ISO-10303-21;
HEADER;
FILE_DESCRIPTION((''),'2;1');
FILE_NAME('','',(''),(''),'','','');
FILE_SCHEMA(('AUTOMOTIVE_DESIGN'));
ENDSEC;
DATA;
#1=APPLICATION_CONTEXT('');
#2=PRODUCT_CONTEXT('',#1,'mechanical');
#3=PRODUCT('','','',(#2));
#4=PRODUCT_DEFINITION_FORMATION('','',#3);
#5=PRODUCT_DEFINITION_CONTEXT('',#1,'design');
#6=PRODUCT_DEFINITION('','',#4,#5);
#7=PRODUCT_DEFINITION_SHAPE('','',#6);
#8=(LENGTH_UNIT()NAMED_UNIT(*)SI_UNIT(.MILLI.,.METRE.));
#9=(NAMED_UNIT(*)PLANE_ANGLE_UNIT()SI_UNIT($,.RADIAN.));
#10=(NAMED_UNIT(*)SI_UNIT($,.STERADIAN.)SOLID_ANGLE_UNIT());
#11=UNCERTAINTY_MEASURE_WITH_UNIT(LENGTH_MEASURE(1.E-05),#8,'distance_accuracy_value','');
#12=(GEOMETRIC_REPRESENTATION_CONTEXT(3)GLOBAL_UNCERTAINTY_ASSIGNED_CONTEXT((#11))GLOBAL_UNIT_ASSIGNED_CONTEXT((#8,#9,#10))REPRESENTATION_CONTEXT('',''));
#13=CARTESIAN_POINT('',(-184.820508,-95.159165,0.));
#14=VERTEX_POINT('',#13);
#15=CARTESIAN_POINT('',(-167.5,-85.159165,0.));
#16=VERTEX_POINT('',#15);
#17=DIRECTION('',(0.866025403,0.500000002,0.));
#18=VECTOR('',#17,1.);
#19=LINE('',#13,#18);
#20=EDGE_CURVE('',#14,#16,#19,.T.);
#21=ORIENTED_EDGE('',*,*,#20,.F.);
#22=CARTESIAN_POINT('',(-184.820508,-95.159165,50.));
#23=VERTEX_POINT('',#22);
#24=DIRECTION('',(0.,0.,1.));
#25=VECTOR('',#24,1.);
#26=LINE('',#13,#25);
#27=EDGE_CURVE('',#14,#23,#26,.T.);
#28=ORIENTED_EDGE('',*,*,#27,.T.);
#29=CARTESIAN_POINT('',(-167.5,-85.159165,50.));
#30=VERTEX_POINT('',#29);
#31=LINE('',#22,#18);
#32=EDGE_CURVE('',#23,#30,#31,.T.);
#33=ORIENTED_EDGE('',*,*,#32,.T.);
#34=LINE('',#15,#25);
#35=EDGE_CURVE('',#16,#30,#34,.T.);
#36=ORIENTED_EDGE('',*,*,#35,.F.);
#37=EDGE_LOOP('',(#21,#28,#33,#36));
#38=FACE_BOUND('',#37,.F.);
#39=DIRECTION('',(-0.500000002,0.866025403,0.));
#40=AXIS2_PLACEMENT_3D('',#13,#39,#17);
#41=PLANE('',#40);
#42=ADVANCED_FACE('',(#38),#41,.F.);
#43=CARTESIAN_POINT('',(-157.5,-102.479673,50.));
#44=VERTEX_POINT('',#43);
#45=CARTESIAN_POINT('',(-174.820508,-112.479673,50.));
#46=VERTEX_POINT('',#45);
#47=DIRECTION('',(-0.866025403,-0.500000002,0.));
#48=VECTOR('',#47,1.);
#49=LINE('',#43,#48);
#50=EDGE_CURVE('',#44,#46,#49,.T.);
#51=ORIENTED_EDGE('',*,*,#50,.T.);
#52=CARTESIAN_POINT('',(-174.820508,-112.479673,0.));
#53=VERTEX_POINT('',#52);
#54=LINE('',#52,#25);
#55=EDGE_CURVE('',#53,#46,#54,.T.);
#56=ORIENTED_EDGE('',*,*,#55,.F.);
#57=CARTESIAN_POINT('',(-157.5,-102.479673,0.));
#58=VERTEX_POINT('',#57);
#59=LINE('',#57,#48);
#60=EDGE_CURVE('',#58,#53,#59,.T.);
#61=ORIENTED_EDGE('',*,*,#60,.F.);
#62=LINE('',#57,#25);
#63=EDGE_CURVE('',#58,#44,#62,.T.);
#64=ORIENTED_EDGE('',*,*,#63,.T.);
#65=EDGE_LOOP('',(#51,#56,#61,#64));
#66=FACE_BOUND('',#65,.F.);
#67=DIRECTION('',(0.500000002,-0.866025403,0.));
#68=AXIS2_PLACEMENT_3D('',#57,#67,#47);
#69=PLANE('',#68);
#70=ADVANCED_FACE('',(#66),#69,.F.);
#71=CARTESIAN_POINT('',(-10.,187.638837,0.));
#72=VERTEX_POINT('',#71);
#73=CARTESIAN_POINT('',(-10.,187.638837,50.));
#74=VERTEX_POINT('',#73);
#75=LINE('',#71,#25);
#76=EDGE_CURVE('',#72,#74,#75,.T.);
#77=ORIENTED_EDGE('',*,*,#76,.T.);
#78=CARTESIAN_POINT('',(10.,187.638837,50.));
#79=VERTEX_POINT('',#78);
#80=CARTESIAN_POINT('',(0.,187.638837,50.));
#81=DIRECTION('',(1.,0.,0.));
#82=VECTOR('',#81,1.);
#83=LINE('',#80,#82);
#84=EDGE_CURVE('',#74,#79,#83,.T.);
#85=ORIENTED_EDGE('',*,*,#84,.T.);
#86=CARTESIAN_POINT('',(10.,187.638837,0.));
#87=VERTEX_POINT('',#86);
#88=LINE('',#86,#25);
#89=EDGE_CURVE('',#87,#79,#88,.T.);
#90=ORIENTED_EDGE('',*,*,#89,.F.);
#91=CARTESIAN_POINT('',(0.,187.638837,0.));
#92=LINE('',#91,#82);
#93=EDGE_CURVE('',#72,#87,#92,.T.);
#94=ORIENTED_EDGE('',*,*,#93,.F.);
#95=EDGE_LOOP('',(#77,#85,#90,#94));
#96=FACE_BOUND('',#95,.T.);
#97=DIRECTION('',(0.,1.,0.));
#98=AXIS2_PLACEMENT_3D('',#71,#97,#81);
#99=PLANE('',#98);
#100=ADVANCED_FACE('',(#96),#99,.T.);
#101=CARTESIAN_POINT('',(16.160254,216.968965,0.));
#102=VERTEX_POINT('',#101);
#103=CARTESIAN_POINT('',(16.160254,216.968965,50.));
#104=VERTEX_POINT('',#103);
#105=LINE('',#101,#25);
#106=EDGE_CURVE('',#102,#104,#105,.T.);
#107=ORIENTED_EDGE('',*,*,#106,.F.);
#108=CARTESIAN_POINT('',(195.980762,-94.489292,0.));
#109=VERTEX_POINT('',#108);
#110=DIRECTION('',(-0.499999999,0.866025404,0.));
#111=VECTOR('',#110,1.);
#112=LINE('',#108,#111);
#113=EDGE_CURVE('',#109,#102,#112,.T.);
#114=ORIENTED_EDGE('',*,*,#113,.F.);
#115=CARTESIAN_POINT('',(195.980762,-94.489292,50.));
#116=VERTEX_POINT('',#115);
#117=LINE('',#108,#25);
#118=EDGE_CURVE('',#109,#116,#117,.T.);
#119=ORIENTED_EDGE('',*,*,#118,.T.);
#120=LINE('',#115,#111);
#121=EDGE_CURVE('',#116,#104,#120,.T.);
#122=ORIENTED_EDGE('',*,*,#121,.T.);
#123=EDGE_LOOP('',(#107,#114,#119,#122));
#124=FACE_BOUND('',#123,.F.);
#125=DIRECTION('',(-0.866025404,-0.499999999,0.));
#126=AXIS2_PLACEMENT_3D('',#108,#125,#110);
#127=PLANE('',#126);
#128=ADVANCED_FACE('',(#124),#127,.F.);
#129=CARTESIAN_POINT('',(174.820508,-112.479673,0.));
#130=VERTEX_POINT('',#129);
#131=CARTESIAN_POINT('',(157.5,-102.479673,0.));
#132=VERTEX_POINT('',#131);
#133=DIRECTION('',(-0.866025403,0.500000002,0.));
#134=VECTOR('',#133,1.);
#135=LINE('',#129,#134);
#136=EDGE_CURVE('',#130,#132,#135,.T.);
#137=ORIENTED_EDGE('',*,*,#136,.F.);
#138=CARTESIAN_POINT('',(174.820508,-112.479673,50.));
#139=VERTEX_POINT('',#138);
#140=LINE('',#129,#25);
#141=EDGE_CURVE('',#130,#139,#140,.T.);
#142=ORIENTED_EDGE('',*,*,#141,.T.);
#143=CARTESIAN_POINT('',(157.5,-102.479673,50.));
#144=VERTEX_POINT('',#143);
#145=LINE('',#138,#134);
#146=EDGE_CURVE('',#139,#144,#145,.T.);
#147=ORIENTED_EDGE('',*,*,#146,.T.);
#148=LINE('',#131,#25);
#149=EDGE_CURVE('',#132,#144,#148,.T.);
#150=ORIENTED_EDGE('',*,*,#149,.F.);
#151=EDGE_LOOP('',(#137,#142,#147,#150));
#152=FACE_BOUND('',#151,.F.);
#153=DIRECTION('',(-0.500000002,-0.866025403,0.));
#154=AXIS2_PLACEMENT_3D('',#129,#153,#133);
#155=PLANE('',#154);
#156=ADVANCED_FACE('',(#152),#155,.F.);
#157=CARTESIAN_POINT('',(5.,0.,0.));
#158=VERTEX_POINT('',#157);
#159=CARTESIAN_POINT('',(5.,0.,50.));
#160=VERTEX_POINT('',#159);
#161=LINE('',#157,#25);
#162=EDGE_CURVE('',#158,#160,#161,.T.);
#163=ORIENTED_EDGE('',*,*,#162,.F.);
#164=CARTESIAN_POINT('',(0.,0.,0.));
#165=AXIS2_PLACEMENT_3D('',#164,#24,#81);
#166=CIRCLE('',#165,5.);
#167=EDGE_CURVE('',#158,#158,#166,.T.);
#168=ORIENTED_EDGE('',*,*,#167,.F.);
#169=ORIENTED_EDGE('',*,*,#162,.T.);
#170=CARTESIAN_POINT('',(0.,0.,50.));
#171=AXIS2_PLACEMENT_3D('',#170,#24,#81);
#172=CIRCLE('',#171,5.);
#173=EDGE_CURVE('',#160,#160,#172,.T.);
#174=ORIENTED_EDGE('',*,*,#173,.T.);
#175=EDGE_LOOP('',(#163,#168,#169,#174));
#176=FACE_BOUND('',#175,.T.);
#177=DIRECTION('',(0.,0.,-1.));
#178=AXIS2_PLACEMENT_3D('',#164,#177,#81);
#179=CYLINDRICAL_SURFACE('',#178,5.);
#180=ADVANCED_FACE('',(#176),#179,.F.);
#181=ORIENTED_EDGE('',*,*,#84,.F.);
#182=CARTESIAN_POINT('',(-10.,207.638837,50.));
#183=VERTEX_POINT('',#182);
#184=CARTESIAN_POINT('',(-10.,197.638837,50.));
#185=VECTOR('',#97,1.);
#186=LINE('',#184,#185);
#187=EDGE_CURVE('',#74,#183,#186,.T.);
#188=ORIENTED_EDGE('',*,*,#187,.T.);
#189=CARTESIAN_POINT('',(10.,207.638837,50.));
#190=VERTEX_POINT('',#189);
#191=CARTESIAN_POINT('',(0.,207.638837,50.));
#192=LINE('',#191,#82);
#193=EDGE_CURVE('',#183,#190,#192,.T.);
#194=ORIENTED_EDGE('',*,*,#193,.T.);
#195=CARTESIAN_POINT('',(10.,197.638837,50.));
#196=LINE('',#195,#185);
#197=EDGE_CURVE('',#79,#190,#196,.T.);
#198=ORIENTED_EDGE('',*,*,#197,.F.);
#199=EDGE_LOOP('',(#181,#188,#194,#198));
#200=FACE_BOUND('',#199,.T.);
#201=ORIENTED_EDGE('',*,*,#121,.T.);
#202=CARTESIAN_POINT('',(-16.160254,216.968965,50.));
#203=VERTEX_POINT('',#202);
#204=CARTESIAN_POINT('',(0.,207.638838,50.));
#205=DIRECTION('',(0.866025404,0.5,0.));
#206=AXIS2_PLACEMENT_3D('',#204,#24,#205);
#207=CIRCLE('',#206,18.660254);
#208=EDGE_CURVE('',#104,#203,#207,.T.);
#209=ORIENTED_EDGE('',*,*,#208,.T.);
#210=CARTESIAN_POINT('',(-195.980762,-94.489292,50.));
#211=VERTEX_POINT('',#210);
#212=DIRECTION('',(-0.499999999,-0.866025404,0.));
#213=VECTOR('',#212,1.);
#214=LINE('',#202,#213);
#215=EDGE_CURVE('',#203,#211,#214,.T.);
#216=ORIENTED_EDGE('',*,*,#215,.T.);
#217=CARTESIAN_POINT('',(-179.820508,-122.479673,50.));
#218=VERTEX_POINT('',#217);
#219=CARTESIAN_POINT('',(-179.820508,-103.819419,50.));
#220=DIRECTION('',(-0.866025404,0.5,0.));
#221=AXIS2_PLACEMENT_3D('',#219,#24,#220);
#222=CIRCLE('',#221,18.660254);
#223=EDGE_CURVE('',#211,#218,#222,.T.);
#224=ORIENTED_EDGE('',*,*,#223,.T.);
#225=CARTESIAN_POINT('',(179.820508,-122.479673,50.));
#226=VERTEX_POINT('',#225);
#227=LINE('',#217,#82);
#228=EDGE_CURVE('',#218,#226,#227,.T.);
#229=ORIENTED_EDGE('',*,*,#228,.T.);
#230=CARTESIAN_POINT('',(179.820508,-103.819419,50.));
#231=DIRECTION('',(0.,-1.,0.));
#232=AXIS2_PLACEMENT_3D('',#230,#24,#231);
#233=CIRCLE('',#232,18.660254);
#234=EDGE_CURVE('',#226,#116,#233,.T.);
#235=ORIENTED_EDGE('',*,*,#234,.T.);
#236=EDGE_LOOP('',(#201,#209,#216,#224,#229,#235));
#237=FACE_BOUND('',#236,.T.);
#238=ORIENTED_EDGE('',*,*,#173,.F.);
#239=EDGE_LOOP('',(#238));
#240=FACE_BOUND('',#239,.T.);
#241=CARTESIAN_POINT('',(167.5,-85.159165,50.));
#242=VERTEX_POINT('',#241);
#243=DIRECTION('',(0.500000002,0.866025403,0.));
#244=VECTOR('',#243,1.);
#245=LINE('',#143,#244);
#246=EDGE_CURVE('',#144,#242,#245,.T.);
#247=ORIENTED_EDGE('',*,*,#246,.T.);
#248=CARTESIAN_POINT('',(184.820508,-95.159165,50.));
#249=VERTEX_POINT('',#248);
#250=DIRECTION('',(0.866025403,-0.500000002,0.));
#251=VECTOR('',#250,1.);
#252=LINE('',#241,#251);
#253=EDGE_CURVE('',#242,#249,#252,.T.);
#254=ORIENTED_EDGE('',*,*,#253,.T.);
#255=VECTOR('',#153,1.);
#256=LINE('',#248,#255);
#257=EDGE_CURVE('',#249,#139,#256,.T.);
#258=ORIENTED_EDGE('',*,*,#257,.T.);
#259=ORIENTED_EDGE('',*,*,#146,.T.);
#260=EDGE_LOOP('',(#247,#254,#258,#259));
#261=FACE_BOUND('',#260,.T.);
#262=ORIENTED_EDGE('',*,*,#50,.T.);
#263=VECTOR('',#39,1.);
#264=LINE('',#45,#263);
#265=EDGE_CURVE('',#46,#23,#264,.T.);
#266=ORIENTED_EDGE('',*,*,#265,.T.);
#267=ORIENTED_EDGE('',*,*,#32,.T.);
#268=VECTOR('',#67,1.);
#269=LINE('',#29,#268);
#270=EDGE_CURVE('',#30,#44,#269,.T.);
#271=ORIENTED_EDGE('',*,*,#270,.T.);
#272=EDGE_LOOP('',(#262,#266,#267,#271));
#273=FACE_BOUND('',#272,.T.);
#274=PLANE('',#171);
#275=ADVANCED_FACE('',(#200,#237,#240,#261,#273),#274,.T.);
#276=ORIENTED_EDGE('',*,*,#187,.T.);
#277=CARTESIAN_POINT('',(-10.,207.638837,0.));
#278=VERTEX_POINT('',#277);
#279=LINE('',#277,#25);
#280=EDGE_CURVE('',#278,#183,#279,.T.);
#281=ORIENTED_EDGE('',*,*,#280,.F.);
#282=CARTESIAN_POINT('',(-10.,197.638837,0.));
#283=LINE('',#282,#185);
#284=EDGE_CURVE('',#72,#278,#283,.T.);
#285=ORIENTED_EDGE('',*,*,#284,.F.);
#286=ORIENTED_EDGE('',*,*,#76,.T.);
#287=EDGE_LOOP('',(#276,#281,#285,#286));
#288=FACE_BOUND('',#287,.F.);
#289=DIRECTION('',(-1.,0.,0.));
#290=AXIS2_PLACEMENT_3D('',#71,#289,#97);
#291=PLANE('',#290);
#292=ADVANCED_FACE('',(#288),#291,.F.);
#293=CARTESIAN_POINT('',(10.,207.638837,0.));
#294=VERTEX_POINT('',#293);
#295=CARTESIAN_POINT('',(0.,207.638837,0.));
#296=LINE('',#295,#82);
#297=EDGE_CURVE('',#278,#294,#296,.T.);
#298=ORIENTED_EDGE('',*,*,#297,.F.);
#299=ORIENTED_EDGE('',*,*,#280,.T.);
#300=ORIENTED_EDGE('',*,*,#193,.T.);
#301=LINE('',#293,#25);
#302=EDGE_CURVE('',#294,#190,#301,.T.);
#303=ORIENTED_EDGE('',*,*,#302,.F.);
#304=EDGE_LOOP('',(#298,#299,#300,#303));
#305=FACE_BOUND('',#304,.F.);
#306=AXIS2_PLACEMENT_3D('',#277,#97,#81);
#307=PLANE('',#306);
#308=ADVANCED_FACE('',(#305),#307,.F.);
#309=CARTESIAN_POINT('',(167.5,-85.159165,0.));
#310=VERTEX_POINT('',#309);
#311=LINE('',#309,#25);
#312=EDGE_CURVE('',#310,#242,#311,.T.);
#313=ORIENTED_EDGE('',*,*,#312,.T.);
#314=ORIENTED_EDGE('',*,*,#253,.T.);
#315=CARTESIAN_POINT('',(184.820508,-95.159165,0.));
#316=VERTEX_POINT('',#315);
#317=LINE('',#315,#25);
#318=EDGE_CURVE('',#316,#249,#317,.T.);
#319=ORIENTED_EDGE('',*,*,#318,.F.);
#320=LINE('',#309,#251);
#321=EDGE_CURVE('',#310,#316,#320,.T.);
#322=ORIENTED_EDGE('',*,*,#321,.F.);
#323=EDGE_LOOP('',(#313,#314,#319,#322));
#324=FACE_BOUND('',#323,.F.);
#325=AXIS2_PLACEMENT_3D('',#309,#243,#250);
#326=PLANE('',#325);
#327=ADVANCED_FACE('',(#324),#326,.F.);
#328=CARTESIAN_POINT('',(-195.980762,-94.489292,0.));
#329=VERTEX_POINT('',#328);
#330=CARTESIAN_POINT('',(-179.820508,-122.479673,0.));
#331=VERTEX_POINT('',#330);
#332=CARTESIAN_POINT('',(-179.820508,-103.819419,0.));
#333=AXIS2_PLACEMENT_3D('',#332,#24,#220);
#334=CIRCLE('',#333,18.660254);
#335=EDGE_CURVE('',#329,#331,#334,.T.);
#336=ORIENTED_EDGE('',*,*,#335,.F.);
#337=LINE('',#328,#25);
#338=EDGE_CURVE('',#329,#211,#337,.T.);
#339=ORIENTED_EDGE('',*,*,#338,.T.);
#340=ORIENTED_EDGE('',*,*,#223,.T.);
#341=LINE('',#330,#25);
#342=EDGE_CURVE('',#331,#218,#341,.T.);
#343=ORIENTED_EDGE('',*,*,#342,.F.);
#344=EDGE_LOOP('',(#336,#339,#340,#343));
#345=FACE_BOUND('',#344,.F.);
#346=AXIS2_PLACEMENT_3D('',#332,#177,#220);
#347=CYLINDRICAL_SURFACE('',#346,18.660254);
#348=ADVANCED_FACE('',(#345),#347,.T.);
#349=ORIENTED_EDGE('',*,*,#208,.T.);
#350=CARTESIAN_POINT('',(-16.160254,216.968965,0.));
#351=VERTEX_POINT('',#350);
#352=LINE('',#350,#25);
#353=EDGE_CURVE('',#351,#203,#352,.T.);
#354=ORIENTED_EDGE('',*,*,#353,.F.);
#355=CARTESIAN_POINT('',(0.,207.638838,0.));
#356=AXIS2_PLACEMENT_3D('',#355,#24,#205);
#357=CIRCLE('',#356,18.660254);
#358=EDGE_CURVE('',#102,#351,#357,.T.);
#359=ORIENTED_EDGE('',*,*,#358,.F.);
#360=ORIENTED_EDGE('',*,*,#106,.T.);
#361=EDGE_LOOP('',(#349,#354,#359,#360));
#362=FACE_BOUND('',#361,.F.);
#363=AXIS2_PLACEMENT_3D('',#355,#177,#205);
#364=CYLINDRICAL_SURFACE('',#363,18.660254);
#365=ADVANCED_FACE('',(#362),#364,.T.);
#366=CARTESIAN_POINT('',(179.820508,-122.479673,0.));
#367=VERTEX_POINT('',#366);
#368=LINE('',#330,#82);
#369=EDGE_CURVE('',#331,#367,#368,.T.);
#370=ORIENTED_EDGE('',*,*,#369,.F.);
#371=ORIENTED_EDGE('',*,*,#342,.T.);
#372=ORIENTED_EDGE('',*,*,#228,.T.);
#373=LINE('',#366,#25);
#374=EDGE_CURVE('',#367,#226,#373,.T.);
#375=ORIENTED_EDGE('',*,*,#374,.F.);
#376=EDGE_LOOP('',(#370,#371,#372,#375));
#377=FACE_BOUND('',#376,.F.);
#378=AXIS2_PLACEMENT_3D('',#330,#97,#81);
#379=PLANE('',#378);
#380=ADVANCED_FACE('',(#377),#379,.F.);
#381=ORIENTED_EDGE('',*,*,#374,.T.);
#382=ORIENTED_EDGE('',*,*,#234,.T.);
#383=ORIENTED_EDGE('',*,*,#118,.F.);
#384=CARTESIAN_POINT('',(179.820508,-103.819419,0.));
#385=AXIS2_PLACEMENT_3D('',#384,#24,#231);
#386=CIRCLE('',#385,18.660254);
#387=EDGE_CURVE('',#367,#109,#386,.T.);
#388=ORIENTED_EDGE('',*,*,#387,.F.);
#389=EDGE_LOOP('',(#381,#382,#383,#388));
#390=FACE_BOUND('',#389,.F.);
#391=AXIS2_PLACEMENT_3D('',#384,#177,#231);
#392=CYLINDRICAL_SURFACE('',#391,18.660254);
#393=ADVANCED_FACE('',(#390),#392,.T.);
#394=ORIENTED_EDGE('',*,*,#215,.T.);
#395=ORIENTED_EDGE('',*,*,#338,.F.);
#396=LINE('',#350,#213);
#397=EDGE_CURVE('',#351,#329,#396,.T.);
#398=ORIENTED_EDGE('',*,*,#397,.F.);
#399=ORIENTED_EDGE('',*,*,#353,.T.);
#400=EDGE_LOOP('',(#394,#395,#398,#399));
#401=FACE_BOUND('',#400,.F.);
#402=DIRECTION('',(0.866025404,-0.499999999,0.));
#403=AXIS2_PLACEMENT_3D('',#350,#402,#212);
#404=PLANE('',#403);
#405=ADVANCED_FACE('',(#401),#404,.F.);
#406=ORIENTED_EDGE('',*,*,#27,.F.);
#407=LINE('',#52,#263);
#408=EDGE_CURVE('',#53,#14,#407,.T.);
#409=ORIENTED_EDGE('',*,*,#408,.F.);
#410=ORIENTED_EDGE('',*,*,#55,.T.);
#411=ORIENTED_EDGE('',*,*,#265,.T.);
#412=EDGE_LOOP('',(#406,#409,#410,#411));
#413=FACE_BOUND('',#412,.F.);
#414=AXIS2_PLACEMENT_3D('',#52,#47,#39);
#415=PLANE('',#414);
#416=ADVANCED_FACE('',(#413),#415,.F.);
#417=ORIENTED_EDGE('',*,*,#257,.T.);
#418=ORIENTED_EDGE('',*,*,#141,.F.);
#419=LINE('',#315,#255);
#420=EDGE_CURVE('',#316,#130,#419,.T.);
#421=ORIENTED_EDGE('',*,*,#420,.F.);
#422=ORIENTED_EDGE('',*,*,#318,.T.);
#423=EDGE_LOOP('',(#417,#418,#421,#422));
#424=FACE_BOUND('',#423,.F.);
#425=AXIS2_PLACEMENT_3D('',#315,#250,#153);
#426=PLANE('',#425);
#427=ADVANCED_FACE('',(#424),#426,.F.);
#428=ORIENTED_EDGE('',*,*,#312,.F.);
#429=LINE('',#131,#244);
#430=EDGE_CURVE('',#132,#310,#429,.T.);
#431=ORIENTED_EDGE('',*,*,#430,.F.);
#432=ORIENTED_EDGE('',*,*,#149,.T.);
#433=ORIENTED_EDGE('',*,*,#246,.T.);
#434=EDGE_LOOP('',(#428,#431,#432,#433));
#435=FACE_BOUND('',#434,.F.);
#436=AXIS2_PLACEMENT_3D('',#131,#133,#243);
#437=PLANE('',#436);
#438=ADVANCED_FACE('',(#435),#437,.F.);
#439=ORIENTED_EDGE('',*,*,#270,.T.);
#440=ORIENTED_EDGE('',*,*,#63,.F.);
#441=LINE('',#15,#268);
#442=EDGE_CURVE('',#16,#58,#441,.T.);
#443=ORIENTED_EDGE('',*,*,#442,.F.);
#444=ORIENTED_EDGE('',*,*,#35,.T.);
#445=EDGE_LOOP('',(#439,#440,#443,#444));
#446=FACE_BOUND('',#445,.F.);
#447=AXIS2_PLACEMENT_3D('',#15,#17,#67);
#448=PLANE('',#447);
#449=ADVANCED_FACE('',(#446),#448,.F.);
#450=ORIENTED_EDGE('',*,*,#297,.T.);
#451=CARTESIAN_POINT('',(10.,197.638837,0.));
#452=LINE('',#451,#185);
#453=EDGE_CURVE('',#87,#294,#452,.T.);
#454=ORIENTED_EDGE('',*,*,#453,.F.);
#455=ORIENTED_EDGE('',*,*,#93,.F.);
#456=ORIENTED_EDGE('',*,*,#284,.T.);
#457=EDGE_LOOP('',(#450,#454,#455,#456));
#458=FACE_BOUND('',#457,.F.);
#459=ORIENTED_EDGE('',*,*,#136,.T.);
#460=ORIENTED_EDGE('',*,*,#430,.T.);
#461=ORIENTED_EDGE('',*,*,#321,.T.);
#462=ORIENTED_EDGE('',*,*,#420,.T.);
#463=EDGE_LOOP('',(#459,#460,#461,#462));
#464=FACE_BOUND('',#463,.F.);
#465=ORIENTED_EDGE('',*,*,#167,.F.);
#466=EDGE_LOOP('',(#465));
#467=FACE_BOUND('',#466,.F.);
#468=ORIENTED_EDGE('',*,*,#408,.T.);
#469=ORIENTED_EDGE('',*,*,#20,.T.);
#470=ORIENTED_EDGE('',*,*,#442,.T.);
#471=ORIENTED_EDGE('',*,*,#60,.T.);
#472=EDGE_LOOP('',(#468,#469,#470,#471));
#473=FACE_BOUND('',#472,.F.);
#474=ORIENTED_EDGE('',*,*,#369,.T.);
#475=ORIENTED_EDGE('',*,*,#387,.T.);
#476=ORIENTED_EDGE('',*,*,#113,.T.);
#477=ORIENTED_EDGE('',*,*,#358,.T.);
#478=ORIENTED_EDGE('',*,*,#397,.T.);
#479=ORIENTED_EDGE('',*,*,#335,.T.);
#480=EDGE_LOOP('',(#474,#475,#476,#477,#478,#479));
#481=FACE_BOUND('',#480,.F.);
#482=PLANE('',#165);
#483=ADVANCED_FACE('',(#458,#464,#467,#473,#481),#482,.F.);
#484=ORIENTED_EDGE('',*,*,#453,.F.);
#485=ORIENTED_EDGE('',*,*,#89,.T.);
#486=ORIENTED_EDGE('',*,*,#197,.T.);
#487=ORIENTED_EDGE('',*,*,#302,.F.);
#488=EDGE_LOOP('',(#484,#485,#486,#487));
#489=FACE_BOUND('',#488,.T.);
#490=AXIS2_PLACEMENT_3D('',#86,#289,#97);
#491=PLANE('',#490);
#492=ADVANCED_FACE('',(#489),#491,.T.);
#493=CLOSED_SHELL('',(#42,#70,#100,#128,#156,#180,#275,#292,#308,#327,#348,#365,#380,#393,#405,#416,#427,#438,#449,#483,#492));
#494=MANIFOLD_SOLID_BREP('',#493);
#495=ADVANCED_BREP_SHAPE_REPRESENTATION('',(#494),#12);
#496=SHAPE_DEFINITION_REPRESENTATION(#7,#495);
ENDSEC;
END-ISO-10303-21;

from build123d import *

# Parameters (mm, degrees)
F0_R     = 5
F0_W     = 20
F0_H     = 20
F1_DEPTH = 50


with BuildPart() as f1:
    # F0 (on Top) → F1 (new body)
    with BuildSketch(Plane.XY):
        with BuildLine():
            Line((-16.160254, 216.968965), (-195.980762, -94.489292))
            ThreePointArc((-195.980762, -94.489292), (-195.980762, -113.149546), (-179.820508, -122.479673))
            Line((-179.820508, -122.479673), (179.820508, -122.479673))
            ThreePointArc((179.820508, -122.479673), (195.980762, -113.149546), (195.980762, -94.489292))
            Line((195.980762, -94.489292), (16.160254, 216.968965))
            ThreePointArc((16.160254, 216.968965), (0, 226.299092), (-16.160254, 216.968965))
        make_face()
        Polygon((-167.5, -85.159165), (-157.5, -102.479673), (-174.820508, -112.479673), (-184.820508, -95.159165), align=None, mode=Mode.SUBTRACT)
        Circle(F0_R, mode=Mode.SUBTRACT)
        Polygon((157.5, -102.479673), (167.5, -85.159165), (184.820508, -95.159165), (174.820508, -112.479673), align=None, mode=Mode.SUBTRACT)
        with Locations((0, 197.638837)):
            Rectangle(F0_W, F0_H, mode=Mode.SUBTRACT)
    extrude(amount=F1_DEPTH)


solid = f1.part
